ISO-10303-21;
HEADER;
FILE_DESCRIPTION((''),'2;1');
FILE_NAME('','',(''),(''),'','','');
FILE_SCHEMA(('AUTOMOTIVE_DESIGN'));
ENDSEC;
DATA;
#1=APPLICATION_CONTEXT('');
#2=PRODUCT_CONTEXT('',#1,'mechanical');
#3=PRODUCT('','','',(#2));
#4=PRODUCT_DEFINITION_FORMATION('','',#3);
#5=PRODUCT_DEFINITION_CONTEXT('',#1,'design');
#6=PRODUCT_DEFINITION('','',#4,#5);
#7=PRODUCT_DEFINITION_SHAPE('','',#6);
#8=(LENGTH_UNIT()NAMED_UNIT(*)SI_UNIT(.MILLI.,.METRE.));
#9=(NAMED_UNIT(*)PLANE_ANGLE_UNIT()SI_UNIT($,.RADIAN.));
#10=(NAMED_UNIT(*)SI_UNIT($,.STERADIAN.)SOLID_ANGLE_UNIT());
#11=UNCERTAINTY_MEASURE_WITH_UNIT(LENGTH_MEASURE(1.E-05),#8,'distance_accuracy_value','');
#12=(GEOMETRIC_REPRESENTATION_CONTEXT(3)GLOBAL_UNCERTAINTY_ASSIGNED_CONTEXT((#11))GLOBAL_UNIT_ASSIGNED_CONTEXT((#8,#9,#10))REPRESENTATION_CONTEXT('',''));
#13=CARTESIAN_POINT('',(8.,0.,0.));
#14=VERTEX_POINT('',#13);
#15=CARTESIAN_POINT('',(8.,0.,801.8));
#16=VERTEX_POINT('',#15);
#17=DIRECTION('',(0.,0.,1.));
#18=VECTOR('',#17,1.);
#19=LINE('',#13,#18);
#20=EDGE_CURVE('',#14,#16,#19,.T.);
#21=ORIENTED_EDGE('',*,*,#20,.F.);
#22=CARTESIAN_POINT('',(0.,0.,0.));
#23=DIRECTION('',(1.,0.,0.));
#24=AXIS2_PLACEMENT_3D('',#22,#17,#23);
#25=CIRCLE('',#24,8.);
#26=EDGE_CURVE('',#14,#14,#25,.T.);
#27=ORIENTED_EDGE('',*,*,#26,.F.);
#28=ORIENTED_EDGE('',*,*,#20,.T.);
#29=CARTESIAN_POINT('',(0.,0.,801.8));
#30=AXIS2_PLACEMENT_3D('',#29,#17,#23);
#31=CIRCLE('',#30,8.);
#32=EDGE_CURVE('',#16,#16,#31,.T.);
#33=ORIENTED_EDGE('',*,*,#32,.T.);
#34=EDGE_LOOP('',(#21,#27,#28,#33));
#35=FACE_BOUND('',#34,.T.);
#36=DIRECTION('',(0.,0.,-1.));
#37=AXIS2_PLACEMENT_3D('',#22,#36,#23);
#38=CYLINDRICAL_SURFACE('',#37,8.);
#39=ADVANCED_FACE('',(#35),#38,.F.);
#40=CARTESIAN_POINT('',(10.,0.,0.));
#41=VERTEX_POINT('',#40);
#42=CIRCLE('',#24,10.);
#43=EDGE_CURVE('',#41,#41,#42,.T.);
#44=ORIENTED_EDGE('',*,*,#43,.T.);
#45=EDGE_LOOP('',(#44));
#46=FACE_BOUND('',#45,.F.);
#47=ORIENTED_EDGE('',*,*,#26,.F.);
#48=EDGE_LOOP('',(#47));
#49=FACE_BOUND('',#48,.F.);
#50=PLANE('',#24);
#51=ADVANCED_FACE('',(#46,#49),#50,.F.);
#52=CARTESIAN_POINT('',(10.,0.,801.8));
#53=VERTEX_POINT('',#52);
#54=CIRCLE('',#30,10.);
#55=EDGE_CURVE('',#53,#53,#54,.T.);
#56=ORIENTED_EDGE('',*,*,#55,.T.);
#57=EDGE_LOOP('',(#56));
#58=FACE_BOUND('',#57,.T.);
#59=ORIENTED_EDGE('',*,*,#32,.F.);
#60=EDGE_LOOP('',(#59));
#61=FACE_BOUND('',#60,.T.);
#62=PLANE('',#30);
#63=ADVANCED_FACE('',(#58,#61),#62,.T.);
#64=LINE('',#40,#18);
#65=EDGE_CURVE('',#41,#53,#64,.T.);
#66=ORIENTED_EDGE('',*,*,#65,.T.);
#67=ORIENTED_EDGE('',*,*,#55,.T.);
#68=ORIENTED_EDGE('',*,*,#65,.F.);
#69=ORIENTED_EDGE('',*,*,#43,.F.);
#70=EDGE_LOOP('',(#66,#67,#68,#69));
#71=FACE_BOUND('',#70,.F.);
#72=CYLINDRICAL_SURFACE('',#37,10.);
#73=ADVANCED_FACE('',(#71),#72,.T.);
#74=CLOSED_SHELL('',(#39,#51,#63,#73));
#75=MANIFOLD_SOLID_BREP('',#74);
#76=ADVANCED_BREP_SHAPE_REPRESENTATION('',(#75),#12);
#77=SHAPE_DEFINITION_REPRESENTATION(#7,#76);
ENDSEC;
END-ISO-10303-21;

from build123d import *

# Parameters (mm, degrees)
SKETCH1_R           = 10
SKETCH1_R_2         = 8
BOSS_EXTRUDE1_DEPTH = 801.8


with BuildPart() as part:
    # Sketch1 → Boss-Extrude1 (new body)
    with BuildSketch(Plane.XY):
        Circle(SKETCH1_R)
        Circle(SKETCH1_R_2, mode=Mode.SUBTRACT)
    extrude(amount=BOSS_EXTRUDE1_DEPTH)


solid = part.part
